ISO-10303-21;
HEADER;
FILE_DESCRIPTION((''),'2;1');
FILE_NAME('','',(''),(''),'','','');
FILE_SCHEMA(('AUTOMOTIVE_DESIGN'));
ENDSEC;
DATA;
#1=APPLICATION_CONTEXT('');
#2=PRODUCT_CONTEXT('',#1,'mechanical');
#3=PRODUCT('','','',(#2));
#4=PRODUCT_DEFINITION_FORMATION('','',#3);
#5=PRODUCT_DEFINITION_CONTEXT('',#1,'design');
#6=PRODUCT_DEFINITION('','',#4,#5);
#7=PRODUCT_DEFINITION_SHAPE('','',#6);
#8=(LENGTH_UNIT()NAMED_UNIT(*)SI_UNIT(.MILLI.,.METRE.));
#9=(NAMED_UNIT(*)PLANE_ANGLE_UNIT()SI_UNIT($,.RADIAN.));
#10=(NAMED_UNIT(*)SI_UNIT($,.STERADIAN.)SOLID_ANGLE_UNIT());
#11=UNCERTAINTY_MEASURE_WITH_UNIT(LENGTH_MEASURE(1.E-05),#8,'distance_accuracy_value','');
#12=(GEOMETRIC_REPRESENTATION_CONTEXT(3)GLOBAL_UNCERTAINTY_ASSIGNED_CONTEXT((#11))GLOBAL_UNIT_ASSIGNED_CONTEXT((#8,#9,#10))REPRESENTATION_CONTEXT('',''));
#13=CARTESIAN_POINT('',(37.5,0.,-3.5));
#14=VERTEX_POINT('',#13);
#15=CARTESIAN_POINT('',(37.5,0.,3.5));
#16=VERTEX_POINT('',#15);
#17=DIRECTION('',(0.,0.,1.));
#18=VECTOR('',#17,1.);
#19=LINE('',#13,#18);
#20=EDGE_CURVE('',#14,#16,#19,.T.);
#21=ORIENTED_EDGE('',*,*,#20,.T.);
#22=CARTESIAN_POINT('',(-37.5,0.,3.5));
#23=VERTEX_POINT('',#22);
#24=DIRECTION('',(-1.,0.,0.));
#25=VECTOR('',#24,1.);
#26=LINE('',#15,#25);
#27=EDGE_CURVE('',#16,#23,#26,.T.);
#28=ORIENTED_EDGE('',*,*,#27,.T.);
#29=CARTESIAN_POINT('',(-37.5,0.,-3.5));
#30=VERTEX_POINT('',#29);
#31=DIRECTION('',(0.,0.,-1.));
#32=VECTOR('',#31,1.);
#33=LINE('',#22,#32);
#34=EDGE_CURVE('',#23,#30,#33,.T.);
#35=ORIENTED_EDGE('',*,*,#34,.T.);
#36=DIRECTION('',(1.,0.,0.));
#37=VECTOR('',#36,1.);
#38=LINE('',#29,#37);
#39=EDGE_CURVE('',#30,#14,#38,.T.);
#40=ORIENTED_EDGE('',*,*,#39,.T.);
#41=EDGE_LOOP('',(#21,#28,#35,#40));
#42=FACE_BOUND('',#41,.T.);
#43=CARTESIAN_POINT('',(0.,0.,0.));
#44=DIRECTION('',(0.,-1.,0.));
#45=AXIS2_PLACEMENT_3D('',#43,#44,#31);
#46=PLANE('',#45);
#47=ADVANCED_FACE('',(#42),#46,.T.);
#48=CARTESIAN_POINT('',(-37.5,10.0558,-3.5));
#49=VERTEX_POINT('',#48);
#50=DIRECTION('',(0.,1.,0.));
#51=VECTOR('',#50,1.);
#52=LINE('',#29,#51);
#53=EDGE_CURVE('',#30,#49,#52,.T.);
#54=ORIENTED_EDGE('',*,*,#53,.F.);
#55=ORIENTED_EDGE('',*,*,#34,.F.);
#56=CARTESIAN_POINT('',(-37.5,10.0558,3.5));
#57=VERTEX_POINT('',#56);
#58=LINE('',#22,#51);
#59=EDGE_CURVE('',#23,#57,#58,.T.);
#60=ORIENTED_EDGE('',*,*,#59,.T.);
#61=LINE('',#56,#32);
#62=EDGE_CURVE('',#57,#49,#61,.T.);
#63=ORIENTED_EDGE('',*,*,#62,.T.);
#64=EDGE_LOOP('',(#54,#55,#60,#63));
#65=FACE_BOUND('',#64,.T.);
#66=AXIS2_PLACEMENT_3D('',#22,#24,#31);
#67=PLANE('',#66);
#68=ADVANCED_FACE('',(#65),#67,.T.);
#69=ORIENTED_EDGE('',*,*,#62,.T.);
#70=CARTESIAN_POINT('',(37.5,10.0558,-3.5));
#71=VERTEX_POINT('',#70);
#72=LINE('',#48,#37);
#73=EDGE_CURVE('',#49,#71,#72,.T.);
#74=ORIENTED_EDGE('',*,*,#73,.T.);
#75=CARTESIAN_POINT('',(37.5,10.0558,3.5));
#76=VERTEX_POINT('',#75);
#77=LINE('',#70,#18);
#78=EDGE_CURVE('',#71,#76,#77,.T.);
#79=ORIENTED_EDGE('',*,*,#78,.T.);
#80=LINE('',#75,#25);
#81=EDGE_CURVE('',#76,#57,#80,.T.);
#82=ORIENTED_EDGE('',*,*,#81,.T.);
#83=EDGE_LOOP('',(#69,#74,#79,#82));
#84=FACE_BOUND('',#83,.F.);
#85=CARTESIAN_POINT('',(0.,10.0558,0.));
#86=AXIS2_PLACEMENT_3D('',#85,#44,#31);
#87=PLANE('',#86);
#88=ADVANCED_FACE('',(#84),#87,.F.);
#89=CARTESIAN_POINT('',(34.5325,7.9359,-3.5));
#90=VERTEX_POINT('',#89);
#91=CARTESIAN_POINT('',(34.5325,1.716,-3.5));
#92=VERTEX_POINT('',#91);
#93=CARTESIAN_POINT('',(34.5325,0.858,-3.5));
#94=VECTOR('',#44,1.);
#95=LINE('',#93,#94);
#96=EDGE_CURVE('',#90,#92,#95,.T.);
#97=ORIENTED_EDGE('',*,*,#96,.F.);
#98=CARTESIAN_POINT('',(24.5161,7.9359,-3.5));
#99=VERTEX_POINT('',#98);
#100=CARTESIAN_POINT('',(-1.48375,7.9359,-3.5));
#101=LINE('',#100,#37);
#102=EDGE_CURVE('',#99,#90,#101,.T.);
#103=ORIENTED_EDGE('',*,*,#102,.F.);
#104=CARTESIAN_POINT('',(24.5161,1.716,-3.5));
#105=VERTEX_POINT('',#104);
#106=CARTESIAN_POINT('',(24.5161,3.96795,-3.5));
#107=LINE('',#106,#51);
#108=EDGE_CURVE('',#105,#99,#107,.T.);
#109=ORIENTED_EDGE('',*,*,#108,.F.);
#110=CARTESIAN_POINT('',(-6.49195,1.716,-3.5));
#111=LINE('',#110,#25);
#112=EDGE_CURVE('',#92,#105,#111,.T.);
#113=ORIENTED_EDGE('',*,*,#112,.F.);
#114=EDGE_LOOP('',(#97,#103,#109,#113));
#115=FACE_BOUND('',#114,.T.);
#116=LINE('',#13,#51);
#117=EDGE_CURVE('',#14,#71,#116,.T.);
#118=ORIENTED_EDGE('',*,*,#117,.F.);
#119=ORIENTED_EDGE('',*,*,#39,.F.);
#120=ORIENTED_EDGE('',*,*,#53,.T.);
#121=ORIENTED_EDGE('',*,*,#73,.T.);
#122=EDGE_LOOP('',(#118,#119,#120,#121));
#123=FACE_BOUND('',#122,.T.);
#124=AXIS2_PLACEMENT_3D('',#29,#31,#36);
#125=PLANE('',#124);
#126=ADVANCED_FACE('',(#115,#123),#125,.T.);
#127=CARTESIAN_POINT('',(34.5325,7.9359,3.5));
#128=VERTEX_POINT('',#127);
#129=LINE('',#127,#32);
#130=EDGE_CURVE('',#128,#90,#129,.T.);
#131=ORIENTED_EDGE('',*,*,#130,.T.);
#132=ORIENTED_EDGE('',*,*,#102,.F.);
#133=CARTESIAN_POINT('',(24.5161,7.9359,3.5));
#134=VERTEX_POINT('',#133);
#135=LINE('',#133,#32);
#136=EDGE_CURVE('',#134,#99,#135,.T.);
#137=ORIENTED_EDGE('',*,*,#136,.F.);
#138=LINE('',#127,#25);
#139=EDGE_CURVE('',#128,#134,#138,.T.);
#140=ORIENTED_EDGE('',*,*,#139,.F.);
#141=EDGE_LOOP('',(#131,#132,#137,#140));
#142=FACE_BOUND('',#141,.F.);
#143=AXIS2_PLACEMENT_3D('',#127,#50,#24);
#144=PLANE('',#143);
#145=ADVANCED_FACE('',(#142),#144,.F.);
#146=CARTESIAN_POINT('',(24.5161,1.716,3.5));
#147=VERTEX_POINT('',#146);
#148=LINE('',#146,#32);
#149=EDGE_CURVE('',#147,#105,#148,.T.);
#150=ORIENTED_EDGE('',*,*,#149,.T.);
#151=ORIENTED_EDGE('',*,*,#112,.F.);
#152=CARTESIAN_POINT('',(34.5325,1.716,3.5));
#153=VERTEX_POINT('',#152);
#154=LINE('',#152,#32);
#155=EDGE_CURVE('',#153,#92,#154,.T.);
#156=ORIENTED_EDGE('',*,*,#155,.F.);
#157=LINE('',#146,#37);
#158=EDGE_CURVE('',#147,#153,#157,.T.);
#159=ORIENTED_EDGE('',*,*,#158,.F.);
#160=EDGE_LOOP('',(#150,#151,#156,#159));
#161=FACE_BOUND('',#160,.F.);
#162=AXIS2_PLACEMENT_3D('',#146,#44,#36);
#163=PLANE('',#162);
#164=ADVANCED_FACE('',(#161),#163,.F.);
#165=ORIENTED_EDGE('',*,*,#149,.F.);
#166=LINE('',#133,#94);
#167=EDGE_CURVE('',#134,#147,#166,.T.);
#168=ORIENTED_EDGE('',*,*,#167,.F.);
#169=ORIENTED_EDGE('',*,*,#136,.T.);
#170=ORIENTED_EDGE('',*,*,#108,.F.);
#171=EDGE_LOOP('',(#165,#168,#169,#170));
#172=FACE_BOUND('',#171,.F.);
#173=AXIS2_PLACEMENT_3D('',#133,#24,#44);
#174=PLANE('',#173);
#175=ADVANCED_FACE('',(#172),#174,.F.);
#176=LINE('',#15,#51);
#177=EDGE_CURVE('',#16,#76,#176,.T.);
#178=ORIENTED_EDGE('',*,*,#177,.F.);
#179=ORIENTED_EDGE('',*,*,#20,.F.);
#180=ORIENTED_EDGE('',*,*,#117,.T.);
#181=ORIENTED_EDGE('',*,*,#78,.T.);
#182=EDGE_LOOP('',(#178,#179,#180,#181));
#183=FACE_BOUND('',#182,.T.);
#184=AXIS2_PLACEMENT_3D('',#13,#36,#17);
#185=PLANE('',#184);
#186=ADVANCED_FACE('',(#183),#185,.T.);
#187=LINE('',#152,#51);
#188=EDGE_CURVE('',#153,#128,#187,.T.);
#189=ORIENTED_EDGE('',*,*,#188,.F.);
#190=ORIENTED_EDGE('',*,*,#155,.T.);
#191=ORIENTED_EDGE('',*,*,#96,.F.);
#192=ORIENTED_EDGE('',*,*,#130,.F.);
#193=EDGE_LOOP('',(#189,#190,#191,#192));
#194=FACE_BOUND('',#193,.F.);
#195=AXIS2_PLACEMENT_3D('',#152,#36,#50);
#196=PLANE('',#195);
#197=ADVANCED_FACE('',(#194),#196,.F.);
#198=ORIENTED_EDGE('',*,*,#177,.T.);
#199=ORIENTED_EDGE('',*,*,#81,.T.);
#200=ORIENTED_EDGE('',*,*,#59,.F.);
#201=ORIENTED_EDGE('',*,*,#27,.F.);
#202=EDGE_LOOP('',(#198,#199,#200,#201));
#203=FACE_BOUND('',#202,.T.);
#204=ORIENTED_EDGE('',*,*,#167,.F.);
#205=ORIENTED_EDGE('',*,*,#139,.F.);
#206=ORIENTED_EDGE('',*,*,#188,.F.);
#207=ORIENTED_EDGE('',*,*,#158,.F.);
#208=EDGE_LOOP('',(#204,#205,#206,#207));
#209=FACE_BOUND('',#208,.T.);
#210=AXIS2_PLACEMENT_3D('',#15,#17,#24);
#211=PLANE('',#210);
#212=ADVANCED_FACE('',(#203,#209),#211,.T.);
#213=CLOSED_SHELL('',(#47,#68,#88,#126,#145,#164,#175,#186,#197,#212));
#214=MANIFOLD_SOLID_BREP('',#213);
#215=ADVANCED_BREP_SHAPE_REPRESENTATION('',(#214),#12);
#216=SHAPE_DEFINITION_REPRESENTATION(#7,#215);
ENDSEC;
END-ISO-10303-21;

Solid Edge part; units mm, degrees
sketch "Sketch1" plane through (0, 0, 0) normal (0, -1, 0) x (1, 0, 0)
  line L0 (-37.5, 3.5) -> (-37.5, -3.5)
  line L1 (-37.5, -3.5) -> (37.5, -3.5)
  line L2 (37.5, -3.5) -> (37.5, 3.5)
  line L3 (37.5, 3.5) -> (-37.5, 3.5)
extrude "Protrusion1" add sketch "Sketch1" against normal blind 10.0558
sketch "Sketch2" plane through (0, 5.0279, 3.5) normal (0, 0, 1) x (1, 0, 0)
  line L0 (24.5161, -3.3119) -> (34.5325, -3.3119)
  line L1 (34.5325, -3.3119) -> (34.5325, 2.908)
  line L2 (34.5325, 2.908) -> (24.5161, 2.908)
  line L3 (24.5161, 2.908) -> (24.5161, -3.3119)
extrude "Cutout1" cut sketch "Sketch2" against normal through all
properties material "PVC"
